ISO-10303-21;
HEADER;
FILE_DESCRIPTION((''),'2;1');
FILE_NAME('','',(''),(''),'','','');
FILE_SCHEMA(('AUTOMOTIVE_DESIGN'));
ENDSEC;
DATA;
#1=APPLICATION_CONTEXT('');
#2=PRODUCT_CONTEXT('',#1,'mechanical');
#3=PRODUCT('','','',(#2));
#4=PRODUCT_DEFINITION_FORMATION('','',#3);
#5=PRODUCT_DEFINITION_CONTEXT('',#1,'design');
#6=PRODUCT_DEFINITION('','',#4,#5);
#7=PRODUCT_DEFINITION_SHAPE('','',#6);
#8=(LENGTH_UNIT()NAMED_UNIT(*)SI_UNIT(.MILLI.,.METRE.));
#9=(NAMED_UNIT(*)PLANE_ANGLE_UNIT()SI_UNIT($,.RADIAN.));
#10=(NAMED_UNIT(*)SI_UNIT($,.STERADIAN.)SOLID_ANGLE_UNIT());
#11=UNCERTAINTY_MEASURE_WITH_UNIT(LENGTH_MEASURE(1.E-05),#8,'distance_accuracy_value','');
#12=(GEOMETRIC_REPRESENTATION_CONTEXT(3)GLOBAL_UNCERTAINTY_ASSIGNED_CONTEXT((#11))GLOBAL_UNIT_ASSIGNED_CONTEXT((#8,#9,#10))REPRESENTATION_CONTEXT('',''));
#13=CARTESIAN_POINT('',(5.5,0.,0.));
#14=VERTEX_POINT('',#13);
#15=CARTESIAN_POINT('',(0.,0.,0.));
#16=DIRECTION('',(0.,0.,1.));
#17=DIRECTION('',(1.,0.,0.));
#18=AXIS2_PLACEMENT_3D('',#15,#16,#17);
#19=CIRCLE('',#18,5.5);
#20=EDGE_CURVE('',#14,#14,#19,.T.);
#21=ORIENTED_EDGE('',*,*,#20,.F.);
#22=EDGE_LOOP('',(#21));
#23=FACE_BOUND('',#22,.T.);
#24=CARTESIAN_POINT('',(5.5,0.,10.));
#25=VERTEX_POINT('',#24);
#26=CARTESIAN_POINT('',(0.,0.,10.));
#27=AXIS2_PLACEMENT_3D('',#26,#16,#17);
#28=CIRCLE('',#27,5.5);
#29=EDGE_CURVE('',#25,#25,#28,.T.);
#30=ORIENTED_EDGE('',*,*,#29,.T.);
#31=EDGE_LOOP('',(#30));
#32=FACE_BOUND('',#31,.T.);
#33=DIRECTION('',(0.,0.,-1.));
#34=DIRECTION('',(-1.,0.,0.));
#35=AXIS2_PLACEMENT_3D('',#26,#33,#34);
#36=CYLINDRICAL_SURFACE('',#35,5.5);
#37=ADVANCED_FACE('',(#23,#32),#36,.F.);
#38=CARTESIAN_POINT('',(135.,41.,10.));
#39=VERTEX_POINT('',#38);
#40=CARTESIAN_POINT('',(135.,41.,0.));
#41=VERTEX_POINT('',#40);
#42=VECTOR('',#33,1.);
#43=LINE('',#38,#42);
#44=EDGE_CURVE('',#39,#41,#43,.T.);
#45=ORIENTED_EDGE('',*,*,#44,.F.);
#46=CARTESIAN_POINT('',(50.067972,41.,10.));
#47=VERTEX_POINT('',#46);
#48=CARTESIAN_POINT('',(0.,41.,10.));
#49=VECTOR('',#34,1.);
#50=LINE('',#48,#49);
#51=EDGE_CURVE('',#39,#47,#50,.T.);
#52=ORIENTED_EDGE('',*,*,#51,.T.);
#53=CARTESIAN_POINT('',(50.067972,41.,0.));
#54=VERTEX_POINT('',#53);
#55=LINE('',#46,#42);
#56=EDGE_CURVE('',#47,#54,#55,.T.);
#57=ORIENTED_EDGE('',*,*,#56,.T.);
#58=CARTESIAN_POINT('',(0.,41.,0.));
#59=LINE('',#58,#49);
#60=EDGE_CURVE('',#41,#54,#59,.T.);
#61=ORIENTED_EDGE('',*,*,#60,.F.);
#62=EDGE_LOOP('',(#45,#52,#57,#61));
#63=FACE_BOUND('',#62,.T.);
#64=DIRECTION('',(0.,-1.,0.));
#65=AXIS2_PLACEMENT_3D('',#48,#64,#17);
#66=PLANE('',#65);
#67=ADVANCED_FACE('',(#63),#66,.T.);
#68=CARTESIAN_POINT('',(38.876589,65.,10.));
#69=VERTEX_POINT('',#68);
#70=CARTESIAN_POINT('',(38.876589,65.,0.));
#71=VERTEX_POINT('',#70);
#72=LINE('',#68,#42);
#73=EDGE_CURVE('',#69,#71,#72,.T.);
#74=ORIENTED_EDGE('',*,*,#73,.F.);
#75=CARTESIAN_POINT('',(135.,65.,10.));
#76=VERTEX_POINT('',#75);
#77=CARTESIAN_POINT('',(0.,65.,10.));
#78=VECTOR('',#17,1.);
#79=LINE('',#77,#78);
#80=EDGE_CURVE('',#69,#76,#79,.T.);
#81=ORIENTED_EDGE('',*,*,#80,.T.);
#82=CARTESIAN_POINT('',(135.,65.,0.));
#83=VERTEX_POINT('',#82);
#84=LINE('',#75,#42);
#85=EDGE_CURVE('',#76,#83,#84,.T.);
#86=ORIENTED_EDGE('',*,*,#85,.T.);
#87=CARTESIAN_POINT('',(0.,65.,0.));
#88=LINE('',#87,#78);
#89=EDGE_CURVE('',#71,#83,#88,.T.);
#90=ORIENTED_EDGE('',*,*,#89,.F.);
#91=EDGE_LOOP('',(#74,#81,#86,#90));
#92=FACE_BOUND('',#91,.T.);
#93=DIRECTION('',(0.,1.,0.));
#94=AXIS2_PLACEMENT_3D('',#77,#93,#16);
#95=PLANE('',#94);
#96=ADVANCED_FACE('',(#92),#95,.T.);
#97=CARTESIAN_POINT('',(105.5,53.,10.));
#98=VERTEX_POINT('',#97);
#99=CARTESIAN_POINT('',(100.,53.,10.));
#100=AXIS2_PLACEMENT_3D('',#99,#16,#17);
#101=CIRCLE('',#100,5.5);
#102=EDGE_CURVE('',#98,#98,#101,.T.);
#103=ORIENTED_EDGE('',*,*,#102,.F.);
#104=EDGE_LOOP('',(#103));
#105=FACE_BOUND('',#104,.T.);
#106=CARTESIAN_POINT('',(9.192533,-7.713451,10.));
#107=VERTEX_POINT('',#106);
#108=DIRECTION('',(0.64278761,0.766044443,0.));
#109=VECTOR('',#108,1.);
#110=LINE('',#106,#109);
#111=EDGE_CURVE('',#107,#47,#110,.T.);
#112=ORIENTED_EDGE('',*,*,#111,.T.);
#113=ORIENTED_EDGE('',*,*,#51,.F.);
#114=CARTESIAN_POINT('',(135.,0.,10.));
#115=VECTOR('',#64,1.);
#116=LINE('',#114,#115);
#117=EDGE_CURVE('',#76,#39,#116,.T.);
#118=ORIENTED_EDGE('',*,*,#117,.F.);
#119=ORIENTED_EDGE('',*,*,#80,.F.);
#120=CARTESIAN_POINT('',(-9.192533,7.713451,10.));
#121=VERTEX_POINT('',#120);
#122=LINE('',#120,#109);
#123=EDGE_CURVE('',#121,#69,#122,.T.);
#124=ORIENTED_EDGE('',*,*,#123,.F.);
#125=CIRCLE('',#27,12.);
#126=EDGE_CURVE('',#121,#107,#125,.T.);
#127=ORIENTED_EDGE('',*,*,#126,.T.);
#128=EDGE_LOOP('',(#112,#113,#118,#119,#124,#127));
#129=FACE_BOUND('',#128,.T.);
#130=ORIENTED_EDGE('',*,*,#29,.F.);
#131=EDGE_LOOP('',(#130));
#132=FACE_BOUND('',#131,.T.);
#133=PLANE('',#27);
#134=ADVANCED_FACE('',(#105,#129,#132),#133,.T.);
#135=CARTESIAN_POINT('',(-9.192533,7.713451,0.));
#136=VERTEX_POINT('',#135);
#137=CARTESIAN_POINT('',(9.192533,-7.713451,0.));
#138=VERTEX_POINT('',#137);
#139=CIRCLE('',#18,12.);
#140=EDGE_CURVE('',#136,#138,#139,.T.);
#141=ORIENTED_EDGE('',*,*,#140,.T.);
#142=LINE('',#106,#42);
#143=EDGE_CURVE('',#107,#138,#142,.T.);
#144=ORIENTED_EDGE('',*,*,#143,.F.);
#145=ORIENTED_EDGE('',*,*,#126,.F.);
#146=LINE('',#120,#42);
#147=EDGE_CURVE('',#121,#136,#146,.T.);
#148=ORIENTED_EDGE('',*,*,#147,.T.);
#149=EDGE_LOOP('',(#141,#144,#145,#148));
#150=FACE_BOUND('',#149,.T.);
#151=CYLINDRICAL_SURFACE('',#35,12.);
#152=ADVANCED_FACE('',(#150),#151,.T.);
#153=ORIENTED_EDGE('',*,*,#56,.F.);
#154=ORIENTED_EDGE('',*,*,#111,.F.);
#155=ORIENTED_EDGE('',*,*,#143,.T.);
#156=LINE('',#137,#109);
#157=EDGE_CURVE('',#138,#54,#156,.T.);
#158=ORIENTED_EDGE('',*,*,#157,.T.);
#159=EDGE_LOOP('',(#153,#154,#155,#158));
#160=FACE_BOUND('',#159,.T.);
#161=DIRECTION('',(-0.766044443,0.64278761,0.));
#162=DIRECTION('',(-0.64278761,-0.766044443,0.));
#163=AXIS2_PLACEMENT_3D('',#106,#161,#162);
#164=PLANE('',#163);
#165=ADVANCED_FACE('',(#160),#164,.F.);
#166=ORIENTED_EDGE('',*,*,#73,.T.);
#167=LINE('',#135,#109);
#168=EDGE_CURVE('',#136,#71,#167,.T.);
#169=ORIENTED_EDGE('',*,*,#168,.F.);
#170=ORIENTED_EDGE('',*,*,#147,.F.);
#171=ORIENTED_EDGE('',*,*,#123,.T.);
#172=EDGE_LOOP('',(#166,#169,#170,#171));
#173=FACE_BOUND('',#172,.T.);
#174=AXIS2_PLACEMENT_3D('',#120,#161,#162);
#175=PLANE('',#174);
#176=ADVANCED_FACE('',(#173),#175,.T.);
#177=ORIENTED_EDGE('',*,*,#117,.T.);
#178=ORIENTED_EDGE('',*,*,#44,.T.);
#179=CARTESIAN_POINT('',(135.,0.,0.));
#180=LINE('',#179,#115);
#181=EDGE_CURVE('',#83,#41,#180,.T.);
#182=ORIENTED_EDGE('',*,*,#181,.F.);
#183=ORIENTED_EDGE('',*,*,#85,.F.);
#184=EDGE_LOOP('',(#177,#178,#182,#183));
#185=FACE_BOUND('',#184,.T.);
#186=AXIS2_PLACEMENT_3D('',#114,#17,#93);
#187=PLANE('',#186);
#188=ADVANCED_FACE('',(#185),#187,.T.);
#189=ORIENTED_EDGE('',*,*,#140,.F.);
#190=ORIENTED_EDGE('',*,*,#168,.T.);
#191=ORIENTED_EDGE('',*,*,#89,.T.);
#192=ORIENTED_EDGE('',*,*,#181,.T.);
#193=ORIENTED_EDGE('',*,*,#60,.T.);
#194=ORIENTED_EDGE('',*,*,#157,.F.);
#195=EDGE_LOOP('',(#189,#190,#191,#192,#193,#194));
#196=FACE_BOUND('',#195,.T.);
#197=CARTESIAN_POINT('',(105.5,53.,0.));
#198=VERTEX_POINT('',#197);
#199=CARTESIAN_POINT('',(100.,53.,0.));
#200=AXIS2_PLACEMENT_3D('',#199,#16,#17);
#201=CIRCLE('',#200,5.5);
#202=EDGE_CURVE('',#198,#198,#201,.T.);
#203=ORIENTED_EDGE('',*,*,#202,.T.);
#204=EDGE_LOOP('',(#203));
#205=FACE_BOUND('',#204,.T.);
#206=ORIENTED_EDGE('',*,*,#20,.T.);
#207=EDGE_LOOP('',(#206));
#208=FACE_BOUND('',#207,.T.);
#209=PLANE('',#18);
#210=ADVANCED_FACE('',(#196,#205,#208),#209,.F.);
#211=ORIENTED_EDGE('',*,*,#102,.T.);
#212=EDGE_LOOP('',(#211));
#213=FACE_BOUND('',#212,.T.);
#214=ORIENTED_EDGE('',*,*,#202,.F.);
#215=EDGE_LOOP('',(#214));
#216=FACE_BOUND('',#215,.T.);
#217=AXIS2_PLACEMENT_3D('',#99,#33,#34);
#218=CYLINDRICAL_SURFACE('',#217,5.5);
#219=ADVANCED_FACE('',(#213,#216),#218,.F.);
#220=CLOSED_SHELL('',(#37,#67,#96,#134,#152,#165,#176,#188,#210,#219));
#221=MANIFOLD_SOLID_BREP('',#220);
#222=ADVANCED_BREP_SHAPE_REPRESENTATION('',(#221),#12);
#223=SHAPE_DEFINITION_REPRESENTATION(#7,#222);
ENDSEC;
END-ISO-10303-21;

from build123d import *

# Parameters (mm, degrees)
SKETCH1_R           = 5.5
BOSS_EXTRUDE1_DEPTH = 10


with BuildPart() as part:
    # Sketch1 → Boss-Extrude1 (new body)
    with BuildSketch(Plane.XY):
        with BuildLine():
            ThreePointArc((-9.192533317, 7.713451316), (-7.713451316, -9.192533317), (9.192533317, -7.713451316))
            Line((9.192533317, -7.713451316), (50.06797235, 41))
            Line((50.06797235, 41), (135, 41))
            Line((135, 41), (135, 65))
            Line((135, 65), (38.876588555, 65))
            Line((38.876588555, 65), (-9.192533317, 7.713451316))
        make_face()
        Circle(SKETCH1_R, mode=Mode.SUBTRACT)
        with Locations((100, 53)):
            Circle(SKETCH1_R, mode=Mode.SUBTRACT)
    extrude(amount=BOSS_EXTRUDE1_DEPTH)


solid = part.part
